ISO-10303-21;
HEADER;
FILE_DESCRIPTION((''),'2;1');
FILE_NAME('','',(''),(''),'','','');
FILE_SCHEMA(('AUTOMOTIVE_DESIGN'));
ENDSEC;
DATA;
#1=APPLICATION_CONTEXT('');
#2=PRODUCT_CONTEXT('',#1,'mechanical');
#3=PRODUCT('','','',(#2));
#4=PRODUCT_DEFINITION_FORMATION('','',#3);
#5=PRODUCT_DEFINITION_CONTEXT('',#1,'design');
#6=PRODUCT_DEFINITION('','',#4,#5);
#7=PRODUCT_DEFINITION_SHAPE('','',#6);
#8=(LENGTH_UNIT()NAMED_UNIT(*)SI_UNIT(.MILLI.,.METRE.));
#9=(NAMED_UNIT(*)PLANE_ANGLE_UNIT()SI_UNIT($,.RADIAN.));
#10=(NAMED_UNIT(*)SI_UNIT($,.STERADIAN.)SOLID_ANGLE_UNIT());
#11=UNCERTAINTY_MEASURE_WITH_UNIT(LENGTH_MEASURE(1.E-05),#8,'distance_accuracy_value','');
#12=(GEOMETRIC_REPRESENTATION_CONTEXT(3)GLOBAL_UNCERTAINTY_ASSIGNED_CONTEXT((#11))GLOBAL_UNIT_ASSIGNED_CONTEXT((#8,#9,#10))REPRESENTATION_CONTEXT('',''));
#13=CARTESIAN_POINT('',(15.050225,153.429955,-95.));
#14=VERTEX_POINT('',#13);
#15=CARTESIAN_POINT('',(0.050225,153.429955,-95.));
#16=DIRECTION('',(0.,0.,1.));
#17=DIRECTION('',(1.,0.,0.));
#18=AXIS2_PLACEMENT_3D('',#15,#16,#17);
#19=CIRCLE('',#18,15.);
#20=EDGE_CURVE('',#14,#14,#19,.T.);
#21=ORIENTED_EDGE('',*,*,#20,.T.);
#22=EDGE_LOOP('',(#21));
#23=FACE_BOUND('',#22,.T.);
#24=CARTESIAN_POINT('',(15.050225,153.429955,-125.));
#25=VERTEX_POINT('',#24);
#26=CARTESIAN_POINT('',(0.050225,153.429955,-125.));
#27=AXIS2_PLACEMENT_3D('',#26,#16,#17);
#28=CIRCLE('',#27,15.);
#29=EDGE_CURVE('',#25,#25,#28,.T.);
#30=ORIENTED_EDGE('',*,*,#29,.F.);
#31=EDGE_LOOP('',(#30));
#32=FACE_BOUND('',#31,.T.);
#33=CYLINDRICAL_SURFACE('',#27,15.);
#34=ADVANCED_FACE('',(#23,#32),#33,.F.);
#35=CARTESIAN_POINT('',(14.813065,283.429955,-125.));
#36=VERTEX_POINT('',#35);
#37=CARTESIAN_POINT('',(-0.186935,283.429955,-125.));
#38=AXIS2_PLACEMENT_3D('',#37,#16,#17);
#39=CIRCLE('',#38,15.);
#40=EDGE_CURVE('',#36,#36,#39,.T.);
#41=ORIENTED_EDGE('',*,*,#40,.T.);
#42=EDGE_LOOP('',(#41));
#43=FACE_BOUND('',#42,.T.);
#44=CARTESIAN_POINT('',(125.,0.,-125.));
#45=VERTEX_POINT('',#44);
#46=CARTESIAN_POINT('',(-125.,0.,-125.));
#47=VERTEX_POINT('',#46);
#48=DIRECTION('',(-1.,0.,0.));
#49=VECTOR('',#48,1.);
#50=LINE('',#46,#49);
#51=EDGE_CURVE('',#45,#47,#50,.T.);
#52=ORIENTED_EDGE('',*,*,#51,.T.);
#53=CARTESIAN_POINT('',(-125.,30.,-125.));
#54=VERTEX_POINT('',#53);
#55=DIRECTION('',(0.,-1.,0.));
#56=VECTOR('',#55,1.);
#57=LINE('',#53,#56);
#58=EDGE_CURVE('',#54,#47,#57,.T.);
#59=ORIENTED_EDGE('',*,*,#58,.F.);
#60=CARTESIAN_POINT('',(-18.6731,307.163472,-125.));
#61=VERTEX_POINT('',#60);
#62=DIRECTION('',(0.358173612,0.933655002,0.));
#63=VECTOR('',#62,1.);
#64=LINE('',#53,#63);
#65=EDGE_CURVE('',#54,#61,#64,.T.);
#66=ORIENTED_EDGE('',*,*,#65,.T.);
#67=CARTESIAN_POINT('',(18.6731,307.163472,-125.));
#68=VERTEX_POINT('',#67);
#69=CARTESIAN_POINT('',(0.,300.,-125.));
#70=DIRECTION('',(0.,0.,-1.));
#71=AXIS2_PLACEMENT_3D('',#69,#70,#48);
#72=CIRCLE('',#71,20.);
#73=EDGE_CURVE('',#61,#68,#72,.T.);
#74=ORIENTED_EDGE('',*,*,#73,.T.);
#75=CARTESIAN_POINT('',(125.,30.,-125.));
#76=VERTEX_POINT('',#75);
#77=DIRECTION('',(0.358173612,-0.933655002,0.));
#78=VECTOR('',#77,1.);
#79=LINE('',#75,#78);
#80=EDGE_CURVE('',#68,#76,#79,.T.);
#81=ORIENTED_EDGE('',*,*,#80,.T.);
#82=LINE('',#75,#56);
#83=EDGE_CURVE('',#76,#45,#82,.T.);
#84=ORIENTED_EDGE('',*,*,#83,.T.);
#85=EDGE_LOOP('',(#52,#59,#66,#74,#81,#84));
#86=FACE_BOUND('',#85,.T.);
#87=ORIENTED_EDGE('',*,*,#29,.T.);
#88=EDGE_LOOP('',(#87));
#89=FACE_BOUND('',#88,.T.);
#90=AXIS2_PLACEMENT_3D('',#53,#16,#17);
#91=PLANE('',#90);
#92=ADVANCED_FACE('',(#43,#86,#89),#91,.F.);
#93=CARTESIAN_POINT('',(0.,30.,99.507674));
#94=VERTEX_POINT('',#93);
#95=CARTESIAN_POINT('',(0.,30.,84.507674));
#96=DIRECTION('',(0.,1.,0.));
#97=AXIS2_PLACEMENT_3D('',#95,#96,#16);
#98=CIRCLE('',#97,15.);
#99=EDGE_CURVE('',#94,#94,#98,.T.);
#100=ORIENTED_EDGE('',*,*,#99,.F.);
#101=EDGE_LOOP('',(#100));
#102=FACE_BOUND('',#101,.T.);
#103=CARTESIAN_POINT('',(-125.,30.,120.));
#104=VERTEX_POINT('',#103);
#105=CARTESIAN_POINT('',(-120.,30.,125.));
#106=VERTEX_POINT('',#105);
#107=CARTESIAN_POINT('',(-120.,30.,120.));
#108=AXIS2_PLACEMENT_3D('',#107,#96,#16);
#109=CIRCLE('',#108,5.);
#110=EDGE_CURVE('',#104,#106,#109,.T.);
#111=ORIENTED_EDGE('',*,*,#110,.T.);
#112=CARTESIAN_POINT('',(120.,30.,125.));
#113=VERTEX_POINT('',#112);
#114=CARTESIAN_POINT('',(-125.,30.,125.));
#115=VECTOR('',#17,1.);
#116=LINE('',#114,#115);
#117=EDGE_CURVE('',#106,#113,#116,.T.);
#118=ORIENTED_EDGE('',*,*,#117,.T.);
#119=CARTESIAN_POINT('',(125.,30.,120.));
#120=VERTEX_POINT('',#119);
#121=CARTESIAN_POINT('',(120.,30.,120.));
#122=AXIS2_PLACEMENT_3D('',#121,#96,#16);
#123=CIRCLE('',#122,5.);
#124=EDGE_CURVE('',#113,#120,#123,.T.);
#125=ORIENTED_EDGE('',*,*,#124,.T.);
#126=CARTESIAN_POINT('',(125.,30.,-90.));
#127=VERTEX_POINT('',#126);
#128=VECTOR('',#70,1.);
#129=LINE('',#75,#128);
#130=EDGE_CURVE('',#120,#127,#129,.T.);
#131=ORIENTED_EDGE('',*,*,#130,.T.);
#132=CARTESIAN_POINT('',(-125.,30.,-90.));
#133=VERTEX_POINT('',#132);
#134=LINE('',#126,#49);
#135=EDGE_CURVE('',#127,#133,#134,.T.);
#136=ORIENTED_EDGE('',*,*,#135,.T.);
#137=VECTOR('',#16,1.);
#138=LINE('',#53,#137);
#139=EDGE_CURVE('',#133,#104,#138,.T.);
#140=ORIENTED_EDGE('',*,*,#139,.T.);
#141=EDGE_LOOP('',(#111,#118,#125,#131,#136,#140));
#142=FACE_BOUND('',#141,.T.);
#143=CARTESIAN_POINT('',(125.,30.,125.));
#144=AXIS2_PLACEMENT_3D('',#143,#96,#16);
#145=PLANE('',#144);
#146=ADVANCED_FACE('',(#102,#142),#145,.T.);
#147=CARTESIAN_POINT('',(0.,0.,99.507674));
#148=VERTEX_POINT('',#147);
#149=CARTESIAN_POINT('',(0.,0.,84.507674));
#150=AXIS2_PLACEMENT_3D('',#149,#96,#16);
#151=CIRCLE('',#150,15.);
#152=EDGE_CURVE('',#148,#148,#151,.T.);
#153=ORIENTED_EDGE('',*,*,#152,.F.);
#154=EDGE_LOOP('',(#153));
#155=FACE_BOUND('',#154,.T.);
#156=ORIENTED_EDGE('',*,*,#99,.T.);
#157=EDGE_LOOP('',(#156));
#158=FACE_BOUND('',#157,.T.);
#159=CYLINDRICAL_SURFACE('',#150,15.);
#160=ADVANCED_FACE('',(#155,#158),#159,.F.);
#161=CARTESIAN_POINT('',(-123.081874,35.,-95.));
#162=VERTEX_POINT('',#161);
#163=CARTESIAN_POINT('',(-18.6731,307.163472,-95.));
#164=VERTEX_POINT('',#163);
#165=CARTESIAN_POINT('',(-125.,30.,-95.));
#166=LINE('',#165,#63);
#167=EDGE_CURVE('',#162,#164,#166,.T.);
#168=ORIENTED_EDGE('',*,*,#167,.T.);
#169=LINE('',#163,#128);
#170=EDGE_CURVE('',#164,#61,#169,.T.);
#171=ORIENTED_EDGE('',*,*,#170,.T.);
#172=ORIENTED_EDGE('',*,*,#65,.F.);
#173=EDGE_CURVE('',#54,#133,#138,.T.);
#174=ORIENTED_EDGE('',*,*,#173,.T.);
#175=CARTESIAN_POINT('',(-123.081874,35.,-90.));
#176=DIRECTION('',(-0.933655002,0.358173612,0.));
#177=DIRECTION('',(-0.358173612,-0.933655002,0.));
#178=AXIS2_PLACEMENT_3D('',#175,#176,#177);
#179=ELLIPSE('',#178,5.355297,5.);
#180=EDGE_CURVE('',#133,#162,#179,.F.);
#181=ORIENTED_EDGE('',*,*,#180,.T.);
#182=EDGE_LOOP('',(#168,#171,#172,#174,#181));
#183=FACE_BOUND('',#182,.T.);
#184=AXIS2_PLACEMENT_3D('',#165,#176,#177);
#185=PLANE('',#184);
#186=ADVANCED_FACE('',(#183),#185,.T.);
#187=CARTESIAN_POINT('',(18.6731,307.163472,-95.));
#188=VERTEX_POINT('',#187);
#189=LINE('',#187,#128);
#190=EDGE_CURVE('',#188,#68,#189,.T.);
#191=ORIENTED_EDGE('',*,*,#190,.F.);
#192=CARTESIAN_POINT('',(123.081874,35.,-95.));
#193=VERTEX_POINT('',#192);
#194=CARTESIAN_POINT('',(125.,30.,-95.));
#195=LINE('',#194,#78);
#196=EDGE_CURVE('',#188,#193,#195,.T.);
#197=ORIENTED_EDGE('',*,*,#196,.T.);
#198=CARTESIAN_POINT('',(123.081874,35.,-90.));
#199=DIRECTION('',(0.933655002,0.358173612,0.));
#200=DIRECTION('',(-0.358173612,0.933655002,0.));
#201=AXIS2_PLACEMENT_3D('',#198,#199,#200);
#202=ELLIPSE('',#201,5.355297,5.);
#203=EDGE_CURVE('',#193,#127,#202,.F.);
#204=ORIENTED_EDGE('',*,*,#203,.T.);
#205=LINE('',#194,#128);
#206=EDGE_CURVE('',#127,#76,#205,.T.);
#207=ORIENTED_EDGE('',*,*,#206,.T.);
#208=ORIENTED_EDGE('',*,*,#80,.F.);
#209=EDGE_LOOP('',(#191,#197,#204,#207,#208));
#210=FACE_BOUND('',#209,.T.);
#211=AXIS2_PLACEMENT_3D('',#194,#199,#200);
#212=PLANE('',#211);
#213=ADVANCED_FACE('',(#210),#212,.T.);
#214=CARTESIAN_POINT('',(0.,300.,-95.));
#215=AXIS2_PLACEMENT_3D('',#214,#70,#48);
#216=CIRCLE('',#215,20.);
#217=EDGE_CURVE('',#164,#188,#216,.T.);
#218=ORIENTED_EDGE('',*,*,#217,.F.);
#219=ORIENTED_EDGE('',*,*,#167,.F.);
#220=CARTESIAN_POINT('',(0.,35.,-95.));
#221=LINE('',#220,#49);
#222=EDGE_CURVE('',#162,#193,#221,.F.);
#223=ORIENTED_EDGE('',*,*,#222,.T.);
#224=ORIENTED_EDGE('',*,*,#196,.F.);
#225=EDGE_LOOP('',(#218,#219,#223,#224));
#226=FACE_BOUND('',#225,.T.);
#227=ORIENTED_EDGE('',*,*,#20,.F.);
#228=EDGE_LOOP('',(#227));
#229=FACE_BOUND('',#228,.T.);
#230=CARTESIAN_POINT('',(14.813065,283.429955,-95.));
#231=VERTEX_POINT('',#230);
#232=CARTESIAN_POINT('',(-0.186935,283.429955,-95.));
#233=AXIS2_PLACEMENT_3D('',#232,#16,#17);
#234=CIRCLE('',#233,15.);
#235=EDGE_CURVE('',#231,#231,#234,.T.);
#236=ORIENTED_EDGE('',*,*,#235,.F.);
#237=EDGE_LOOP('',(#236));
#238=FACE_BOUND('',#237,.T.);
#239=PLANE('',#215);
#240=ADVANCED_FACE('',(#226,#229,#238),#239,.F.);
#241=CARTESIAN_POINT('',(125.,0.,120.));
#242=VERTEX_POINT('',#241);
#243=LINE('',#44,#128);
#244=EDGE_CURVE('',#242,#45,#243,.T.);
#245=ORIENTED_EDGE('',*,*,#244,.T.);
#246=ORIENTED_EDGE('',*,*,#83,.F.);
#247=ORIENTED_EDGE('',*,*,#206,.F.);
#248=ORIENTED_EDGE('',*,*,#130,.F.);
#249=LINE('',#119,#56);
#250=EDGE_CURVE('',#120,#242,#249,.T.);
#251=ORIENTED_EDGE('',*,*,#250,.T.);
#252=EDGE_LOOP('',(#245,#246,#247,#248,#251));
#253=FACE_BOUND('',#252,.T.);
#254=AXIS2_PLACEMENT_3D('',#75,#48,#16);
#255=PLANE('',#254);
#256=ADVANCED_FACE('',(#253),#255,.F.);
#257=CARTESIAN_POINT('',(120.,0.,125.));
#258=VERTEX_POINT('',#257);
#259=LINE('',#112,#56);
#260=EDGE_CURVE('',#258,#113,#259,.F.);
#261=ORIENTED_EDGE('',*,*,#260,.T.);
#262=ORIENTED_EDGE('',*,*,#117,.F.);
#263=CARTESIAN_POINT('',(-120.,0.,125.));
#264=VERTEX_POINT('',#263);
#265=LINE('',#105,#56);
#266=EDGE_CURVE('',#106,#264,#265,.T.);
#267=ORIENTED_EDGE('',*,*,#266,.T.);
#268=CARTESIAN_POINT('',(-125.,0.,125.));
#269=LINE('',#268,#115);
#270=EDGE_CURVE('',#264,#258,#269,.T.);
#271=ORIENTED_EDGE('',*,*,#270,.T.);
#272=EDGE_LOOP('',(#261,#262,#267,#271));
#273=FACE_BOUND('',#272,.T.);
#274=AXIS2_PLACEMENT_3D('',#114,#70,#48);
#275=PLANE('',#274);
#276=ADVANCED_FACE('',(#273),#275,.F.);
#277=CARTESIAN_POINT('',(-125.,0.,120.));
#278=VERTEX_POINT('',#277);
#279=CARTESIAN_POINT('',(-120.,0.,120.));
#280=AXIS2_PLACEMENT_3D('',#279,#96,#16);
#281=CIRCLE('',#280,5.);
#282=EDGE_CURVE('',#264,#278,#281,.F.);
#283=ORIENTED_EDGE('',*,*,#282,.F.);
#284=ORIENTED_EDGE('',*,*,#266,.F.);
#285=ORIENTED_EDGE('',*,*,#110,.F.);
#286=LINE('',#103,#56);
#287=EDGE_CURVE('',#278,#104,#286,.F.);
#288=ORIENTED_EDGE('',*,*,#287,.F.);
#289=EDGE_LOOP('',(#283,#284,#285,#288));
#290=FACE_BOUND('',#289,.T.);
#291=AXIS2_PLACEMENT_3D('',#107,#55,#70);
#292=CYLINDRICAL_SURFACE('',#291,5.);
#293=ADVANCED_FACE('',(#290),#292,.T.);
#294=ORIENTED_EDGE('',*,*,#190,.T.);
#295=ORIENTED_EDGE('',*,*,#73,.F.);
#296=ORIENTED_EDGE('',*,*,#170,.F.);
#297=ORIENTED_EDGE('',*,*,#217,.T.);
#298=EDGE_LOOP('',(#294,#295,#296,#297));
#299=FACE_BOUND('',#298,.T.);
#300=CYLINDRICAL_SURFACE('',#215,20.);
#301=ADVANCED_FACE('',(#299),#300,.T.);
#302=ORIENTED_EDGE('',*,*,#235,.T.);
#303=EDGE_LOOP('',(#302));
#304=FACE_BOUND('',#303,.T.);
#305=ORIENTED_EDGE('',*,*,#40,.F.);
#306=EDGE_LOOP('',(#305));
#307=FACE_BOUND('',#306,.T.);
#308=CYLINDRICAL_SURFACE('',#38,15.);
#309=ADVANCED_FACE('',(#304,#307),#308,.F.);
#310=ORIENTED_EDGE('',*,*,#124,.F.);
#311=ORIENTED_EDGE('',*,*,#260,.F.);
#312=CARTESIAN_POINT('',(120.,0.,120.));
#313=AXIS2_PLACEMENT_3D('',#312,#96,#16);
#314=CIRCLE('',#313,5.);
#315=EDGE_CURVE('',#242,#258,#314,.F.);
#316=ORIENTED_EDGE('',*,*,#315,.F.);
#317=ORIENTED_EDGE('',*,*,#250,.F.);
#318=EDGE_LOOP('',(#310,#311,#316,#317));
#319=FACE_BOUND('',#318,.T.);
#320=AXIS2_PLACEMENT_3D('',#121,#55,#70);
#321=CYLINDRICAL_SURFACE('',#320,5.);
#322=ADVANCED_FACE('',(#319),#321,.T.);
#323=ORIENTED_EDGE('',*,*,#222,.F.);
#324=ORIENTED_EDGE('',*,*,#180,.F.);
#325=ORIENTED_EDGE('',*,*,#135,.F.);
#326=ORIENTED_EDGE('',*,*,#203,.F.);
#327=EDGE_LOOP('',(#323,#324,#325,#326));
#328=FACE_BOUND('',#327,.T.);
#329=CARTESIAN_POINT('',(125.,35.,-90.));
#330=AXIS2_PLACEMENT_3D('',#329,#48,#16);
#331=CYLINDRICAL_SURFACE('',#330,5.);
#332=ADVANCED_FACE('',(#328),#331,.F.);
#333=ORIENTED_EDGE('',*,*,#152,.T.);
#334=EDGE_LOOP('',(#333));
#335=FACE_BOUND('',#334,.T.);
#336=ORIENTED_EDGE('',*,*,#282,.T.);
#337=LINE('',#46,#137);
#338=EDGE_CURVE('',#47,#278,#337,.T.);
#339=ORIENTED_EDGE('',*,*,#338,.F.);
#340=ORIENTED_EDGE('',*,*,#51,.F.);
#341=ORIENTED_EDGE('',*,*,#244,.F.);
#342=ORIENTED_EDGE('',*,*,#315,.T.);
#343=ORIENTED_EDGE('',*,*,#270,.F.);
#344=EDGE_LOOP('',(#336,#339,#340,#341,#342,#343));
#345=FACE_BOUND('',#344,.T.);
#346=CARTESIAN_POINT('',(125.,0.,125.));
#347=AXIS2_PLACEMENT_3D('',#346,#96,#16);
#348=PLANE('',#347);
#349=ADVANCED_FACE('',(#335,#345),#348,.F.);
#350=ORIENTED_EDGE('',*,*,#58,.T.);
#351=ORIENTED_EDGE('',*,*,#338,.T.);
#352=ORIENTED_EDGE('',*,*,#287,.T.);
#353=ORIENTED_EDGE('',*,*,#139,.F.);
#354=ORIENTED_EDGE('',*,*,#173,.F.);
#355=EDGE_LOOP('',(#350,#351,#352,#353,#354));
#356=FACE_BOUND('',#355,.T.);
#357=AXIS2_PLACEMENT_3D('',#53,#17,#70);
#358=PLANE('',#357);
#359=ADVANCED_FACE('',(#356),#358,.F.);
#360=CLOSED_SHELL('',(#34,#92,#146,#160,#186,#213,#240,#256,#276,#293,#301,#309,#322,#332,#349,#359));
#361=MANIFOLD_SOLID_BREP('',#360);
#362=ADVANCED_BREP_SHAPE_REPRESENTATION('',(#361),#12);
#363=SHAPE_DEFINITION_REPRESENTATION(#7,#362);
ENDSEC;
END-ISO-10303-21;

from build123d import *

# Parameters (mm, degrees)
SKETCH1_W           = 250
SKETCH1_H           = 250
EXTRUDE1_DEPTH      = 30
EXTRUDE2_DEPTH      = 30
FILLET1_R           = 5
FILLET2_R           = 5
SKETCH14_R          = 15
CUT_EXTRUDE1_DEPTH  = 30
SKETCH16_R          = 5.416442209
BOSS_EXTRUDE4_DEPTH = 30
SKETCH17_R          = 15
CUT_EXTRUDE2_DEPTH  = 30


with BuildPart() as part:
    # Sketch1 → Extrude1 (new body)
    with BuildSketch(Plane(origin=(0, 0, 0), x_dir=(1, 0, 0), z_dir=(0, 1, 0))):
        Rectangle(SKETCH1_W, SKETCH1_H)
    extrude(amount=EXTRUDE1_DEPTH)

    # Sketch3 → Extrude2 (add)
    with BuildSketch(Plane(origin=(0, 0, -125), x_dir=(-1, 0, 0), z_dir=(0, 0, -1))):
        with BuildLine():
            Line((-125, 30), (-18.673100048, 307.163472244))
            ThreePointArc((-18.673100048, 307.163472244), (0, 320), (18.673100048, 307.163472244))
            Line((18.673100048, 307.163472244), (125, 30))
            Line((125, 30), (-125, 30))
        make_face()
    extrude(amount=-EXTRUDE2_DEPTH)

    # Fillet1
    fillet1_edges = [part.edges().sort_by_distance(p)[0] for p in [
        (0, 30, -95),
    ]]
    fillet(fillet1_edges, radius=FILLET1_R)

    # Fillet2
    fillet2_edges = [part.edges().sort_by_distance(p)[0] for p in [
        (-125, 15, 125),
        (125, 15, 125),
    ]]
    fillet(fillet2_edges, radius=FILLET2_R)

    # Sketch14 → Cut-Extrude1 (cut)
    with BuildSketch(Plane.XY.offset(-95)):
        with Locations((0.050224631, 153.429955133)):
            Circle(SKETCH14_R)
        with Locations((-0.186934905, 283.429955133)):
            Circle(SKETCH14_R)
    extrude(amount=-CUT_EXTRUDE1_DEPTH, mode=Mode.SUBTRACT)

    # Sketch16 → Boss-Extrude4 (add)
    with BuildSketch(Plane(origin=(-1.938008544, 0, -95), x_dir=(1, 0, 0), z_dir=(0, 0, 1))):
        with Locations((1.836864398, 213.31214362)):
            Circle(SKETCH16_R)
    extrude(amount=-BOSS_EXTRUDE4_DEPTH)

    # Sketch17 → Cut-Extrude2 (cut)
    with BuildSketch(Plane(origin=(0, 30, 0), x_dir=(1, 0, 0), z_dir=(0, 1, 0))):
        with Locations((0, -84.507674079)):
            Circle(SKETCH17_R)
    extrude(amount=-CUT_EXTRUDE2_DEPTH, mode=Mode.SUBTRACT)


solid = part.part
